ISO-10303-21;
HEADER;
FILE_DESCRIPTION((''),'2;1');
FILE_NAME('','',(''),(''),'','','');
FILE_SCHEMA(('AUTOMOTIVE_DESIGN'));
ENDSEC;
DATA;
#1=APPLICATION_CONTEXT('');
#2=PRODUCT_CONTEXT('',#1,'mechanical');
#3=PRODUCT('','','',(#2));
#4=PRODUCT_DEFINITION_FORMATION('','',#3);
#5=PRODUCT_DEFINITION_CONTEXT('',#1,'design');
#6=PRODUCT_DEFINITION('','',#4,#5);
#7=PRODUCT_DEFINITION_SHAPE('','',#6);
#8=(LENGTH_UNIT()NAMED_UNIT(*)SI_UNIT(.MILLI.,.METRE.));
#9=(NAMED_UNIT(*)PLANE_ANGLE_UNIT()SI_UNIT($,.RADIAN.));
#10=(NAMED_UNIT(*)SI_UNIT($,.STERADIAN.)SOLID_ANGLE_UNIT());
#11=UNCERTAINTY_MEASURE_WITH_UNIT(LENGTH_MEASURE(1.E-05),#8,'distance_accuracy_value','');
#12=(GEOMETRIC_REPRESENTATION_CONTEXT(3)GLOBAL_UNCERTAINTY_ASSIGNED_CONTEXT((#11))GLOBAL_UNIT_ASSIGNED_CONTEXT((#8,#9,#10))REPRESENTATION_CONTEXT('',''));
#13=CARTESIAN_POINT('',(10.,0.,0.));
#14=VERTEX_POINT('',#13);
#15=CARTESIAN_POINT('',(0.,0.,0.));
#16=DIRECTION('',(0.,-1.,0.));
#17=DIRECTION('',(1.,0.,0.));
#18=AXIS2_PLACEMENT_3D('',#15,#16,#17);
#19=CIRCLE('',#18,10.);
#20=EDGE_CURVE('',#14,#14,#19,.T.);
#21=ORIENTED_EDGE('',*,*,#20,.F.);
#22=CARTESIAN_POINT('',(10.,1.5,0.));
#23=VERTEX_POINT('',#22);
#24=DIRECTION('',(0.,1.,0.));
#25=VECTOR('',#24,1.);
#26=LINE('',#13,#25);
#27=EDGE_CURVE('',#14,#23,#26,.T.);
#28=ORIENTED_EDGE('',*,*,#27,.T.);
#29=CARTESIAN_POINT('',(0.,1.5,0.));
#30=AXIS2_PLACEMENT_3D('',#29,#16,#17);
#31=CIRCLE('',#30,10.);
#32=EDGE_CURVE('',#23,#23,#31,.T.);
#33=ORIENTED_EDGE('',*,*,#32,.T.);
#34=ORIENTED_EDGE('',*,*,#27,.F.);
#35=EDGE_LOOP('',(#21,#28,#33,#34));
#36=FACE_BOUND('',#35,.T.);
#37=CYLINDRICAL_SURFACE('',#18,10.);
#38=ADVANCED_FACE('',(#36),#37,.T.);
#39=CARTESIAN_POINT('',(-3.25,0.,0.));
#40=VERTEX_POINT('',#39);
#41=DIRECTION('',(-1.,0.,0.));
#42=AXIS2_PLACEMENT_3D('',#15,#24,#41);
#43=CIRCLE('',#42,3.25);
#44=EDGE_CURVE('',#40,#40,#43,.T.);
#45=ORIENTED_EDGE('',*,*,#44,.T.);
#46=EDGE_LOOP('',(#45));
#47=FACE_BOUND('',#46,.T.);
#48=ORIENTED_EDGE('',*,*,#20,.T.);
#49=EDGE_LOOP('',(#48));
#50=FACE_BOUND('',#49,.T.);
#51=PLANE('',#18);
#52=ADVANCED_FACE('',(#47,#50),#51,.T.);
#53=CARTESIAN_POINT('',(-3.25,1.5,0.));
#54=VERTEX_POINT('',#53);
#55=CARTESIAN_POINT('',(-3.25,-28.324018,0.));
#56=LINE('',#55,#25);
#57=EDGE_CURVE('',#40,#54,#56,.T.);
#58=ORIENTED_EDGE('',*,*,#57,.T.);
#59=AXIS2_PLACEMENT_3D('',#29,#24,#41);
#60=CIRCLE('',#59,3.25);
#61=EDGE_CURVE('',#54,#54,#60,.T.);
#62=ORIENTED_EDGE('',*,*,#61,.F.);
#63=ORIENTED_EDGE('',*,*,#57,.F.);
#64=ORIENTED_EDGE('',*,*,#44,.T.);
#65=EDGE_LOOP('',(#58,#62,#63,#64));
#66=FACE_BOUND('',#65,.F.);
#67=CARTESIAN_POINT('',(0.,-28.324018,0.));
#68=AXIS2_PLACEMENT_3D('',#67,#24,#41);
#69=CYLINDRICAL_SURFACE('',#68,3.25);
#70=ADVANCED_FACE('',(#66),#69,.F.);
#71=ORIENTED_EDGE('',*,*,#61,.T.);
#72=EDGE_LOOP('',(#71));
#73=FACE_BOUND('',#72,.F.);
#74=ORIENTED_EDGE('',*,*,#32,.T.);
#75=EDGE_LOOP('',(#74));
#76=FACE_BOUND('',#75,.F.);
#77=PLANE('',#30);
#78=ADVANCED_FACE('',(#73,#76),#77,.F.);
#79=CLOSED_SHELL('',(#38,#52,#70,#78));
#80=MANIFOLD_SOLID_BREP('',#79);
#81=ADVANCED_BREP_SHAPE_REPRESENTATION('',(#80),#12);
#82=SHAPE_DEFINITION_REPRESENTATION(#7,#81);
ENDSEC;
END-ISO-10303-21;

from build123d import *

# Parameters (mm, degrees)
F0_R     = 10
F1_DEPTH = 1.5
F2_D     = 6.5


with BuildPart() as f1:
    # F0 (on Front) → F1 (new body)
    with BuildSketch(Plane.XZ):
        Circle(F0_R)
    extrude(amount=-F1_DEPTH)

    # F2 (through all)
    with Locations(Plane.XZ):
        with Locations((0, 0)):
            Hole(F2_D / 2)


solid = f1.part
